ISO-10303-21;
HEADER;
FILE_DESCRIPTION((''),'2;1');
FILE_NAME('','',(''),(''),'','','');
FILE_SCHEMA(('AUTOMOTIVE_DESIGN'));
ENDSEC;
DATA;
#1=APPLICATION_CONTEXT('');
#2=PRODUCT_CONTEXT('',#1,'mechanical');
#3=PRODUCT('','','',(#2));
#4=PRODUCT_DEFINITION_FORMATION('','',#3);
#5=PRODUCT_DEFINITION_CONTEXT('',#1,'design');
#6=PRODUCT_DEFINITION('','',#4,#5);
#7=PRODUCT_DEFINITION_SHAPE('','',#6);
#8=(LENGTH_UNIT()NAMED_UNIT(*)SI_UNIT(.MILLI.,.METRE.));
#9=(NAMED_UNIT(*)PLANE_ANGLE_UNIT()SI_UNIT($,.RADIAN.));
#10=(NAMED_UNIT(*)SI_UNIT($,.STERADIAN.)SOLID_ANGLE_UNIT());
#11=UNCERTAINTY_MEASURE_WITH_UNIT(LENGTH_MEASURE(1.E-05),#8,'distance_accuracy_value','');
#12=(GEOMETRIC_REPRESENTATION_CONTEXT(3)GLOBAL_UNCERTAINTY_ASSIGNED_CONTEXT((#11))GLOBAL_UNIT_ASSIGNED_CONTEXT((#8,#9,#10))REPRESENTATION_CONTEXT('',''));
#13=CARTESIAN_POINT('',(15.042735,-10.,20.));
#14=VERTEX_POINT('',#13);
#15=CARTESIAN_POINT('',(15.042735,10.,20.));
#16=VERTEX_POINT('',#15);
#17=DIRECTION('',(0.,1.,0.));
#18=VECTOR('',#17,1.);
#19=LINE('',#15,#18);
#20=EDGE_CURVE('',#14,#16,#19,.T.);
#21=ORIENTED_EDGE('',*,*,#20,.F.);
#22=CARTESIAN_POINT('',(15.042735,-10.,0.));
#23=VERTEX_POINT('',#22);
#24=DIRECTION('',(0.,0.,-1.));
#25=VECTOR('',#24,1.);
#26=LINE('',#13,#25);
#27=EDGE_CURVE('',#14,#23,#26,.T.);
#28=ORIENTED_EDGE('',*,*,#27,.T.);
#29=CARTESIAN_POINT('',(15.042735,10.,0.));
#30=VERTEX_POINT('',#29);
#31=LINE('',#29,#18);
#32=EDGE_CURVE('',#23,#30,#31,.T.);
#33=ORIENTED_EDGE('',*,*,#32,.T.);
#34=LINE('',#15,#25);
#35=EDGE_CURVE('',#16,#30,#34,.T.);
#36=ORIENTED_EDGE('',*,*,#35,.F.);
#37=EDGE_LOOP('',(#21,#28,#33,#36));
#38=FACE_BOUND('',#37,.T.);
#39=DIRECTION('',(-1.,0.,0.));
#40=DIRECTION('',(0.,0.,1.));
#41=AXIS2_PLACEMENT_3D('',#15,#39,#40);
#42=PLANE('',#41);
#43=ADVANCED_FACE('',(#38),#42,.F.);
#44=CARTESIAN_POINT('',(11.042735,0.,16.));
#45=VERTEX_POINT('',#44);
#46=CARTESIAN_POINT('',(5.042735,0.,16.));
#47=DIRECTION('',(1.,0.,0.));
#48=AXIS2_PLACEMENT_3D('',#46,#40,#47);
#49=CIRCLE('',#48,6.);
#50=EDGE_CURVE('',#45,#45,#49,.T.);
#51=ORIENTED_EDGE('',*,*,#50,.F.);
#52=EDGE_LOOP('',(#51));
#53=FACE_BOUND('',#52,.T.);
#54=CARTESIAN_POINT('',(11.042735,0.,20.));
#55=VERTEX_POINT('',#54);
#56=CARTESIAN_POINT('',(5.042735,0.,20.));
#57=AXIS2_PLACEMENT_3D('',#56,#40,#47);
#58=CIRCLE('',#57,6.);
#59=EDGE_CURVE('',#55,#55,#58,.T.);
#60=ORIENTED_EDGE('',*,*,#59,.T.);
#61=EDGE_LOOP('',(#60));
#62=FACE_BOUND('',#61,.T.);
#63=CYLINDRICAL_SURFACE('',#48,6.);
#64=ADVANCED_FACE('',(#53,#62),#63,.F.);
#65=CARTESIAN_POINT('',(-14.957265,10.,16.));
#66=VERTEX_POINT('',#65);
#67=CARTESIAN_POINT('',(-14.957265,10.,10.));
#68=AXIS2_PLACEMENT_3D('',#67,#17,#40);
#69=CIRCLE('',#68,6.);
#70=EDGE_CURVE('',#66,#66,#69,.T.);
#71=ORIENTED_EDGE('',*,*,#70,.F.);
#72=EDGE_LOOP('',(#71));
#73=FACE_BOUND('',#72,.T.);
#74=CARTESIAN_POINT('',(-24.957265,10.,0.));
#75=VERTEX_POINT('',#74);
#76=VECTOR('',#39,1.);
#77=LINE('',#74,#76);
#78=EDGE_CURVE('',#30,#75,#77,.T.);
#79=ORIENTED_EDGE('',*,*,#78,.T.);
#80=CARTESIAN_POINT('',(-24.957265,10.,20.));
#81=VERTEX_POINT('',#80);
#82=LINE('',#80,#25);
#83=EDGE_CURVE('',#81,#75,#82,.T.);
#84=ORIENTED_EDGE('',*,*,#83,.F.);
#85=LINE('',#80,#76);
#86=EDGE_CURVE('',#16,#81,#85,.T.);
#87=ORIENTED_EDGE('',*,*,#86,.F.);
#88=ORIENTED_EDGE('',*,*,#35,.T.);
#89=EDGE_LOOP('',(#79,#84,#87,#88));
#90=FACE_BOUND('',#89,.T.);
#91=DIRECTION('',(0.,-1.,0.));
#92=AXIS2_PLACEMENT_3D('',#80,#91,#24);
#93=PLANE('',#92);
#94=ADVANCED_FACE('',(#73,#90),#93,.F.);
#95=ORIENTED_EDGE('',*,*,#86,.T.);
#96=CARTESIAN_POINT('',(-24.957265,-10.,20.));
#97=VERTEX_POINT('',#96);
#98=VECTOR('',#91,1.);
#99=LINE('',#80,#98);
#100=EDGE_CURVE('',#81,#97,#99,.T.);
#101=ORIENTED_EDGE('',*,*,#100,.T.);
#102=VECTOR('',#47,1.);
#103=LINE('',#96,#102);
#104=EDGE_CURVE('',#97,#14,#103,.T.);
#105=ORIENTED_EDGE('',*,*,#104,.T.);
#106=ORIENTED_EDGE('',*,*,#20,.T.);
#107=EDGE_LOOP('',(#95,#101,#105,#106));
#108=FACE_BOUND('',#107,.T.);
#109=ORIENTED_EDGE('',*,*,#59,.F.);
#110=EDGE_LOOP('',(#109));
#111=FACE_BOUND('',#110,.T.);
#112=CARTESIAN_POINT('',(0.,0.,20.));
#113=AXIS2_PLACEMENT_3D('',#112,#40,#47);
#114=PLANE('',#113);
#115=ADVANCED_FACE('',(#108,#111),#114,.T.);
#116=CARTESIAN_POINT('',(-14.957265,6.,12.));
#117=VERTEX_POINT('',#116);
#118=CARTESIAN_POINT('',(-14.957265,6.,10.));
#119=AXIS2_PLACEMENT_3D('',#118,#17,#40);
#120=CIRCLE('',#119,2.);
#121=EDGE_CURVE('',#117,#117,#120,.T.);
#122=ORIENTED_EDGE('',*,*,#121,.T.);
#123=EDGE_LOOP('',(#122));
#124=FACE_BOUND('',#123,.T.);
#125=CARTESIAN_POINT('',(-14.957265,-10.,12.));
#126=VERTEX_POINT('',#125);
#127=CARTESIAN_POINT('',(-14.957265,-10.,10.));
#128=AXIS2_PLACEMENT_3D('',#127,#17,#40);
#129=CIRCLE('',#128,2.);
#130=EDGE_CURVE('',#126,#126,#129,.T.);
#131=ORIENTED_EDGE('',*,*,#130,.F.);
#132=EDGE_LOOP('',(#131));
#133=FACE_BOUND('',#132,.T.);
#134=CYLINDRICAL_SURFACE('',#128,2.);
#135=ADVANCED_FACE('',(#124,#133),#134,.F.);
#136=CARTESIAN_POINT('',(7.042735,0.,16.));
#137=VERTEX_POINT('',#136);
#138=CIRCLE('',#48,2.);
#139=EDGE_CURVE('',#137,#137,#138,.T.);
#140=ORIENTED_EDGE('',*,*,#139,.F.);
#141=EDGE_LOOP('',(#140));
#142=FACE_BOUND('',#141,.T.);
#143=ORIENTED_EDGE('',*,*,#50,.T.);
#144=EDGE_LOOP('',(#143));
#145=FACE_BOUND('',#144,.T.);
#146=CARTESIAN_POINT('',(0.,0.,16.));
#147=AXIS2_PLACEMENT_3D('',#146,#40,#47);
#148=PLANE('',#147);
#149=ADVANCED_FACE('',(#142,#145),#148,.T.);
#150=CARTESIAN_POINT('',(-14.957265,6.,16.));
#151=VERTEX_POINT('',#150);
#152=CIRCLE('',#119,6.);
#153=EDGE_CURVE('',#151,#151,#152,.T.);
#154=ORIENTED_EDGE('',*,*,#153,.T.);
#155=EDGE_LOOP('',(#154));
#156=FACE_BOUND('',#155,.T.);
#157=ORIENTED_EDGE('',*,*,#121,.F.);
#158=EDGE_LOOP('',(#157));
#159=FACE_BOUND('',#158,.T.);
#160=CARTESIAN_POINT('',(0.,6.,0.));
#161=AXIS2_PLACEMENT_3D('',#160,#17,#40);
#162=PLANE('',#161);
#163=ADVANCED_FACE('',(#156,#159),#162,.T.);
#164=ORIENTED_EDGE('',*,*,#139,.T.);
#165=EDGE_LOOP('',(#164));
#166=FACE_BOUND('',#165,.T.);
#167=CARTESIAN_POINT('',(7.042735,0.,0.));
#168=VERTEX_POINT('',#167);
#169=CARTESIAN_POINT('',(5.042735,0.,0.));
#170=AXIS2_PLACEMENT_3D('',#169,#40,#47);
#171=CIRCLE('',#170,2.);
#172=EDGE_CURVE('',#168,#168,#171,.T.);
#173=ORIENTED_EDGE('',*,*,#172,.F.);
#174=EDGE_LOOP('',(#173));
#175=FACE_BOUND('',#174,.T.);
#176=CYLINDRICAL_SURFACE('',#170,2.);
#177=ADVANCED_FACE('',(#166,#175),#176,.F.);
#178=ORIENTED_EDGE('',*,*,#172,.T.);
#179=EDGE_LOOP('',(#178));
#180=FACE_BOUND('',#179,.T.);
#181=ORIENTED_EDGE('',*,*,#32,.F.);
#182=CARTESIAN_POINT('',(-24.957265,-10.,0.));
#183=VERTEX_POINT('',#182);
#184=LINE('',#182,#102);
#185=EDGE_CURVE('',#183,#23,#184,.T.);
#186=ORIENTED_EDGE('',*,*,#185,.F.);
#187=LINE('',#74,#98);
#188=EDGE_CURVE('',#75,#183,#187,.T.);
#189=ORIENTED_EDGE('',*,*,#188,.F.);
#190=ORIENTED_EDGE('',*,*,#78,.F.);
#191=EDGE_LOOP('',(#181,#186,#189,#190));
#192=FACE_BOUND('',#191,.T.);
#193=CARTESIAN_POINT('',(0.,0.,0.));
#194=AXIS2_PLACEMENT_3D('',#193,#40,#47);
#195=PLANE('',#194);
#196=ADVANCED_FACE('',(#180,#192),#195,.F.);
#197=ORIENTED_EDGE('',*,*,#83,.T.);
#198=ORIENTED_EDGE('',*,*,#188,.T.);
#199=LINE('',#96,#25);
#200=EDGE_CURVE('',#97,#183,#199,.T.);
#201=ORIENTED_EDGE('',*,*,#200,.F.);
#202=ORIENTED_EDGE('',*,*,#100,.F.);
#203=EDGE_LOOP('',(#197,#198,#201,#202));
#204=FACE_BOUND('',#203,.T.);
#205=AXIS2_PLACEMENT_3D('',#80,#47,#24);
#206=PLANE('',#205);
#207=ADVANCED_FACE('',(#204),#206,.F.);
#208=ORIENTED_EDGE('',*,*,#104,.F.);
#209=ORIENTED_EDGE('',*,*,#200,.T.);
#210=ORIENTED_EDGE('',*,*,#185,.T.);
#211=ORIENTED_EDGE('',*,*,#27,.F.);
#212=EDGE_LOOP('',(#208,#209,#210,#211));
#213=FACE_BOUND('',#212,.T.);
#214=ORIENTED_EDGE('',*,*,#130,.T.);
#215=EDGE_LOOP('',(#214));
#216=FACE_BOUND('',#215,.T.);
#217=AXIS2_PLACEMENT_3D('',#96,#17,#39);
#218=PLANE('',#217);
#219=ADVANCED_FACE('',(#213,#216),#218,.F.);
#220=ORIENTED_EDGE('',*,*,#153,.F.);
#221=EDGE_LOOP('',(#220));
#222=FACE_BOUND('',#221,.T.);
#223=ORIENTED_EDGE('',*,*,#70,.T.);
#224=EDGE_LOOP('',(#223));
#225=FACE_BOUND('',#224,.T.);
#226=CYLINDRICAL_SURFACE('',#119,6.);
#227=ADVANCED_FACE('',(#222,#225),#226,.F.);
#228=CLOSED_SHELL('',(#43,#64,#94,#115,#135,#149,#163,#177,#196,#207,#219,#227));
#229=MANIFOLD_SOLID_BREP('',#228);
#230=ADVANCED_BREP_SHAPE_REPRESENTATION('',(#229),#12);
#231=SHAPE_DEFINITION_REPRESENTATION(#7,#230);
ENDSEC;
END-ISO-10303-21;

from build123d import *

# Parameters (mm, degrees)
SKETCH1_W           = 40
SKETCH1_H           = 20
BOX_DEPTH           = 20
SKETCH10_R          = 6
SIDE_CUT_DEPTH      = 4
CUT_EXTRUDE10_DEPTH = 20
CUT_EXTRUDE11_DEPTH = 4
CUT_EXTRUDE12_DEPTH = 20


with BuildPart() as part:
    # Sketch1 → Box (new body)
    with BuildSketch(Plane.XY):
        with Locations((-4.957264957, 0)):
            Rectangle(SKETCH1_W, SKETCH1_H)
    extrude(amount=BOX_DEPTH)

    # Sketch10 → Side Cut (cut)
    with BuildSketch(Plane.XY.offset(20)):
        with Locations((5.042735043, 0)):
            Circle(SKETCH10_R)
    extrude(amount=-SIDE_CUT_DEPTH, mode=Mode.SUBTRACT)

    # Sketch11 → Cut-Extrude10 (cut)
    with BuildSketch(Plane.XY.offset(20)):
        with BuildLine():
            ThreePointArc((7.042735043, 0), (6.456948605, 1.414213562), (5.042735043, 2))
            Line((5.042735043, 2), (5.042735043, -2))
            ThreePointArc((5.042735043, -2), (6.456948605, -1.414213562), (7.042735043, 0))
        make_face()
        with BuildLine():
            Line((5.042735043, -2), (5.042735043, 2))
            ThreePointArc((5.042735043, 2), (3.042735043, 0), (5.042735043, -2))
        make_face()
    extrude(amount=-CUT_EXTRUDE10_DEPTH, mode=Mode.SUBTRACT)

    # Sketch12 → Cut-Extrude11 (cut)
    with BuildSketch(Plane(origin=(0, 10, 0), x_dir=(1, 0, 0), z_dir=(0, 1, 0))):
        with BuildLine():
            ThreePointArc((-8.957264957, -10), (-14.957264957, -4), (-20.957264957, -10))
            Line((-20.957264957, -10), (-8.957264957, -10))
        make_face()
        with BuildLine():
            Line((-8.957264957, -10), (-20.957264957, -10))
            ThreePointArc((-20.957264957, -10), (-14.957264957, -16), (-8.957264957, -10))
        make_face()
    extrude(amount=-CUT_EXTRUDE11_DEPTH, mode=Mode.SUBTRACT)

    # Sketch13 → Cut-Extrude12 (cut)
    with BuildSketch(Plane(origin=(0, 10, 0), x_dir=(1, 0, 0), z_dir=(0, 1, 0))):
        with BuildLine():
            ThreePointArc((-12.957264957, -10), (-13.543051395, -8.585786438), (-14.957264957, -8))
            Line((-14.957264957, -8), (-14.957264957, -12))
            ThreePointArc((-14.957264957, -12), (-13.543051395, -11.414213562), (-12.957264957, -10))
        make_face()
        with BuildLine():
            Line((-14.957264957, -12), (-14.957264957, -8))
            ThreePointArc((-14.957264957, -8), (-16.957264957, -10), (-14.957264957, -12))
        make_face()
    extrude(amount=-CUT_EXTRUDE12_DEPTH, mode=Mode.SUBTRACT)


solid = part.part
